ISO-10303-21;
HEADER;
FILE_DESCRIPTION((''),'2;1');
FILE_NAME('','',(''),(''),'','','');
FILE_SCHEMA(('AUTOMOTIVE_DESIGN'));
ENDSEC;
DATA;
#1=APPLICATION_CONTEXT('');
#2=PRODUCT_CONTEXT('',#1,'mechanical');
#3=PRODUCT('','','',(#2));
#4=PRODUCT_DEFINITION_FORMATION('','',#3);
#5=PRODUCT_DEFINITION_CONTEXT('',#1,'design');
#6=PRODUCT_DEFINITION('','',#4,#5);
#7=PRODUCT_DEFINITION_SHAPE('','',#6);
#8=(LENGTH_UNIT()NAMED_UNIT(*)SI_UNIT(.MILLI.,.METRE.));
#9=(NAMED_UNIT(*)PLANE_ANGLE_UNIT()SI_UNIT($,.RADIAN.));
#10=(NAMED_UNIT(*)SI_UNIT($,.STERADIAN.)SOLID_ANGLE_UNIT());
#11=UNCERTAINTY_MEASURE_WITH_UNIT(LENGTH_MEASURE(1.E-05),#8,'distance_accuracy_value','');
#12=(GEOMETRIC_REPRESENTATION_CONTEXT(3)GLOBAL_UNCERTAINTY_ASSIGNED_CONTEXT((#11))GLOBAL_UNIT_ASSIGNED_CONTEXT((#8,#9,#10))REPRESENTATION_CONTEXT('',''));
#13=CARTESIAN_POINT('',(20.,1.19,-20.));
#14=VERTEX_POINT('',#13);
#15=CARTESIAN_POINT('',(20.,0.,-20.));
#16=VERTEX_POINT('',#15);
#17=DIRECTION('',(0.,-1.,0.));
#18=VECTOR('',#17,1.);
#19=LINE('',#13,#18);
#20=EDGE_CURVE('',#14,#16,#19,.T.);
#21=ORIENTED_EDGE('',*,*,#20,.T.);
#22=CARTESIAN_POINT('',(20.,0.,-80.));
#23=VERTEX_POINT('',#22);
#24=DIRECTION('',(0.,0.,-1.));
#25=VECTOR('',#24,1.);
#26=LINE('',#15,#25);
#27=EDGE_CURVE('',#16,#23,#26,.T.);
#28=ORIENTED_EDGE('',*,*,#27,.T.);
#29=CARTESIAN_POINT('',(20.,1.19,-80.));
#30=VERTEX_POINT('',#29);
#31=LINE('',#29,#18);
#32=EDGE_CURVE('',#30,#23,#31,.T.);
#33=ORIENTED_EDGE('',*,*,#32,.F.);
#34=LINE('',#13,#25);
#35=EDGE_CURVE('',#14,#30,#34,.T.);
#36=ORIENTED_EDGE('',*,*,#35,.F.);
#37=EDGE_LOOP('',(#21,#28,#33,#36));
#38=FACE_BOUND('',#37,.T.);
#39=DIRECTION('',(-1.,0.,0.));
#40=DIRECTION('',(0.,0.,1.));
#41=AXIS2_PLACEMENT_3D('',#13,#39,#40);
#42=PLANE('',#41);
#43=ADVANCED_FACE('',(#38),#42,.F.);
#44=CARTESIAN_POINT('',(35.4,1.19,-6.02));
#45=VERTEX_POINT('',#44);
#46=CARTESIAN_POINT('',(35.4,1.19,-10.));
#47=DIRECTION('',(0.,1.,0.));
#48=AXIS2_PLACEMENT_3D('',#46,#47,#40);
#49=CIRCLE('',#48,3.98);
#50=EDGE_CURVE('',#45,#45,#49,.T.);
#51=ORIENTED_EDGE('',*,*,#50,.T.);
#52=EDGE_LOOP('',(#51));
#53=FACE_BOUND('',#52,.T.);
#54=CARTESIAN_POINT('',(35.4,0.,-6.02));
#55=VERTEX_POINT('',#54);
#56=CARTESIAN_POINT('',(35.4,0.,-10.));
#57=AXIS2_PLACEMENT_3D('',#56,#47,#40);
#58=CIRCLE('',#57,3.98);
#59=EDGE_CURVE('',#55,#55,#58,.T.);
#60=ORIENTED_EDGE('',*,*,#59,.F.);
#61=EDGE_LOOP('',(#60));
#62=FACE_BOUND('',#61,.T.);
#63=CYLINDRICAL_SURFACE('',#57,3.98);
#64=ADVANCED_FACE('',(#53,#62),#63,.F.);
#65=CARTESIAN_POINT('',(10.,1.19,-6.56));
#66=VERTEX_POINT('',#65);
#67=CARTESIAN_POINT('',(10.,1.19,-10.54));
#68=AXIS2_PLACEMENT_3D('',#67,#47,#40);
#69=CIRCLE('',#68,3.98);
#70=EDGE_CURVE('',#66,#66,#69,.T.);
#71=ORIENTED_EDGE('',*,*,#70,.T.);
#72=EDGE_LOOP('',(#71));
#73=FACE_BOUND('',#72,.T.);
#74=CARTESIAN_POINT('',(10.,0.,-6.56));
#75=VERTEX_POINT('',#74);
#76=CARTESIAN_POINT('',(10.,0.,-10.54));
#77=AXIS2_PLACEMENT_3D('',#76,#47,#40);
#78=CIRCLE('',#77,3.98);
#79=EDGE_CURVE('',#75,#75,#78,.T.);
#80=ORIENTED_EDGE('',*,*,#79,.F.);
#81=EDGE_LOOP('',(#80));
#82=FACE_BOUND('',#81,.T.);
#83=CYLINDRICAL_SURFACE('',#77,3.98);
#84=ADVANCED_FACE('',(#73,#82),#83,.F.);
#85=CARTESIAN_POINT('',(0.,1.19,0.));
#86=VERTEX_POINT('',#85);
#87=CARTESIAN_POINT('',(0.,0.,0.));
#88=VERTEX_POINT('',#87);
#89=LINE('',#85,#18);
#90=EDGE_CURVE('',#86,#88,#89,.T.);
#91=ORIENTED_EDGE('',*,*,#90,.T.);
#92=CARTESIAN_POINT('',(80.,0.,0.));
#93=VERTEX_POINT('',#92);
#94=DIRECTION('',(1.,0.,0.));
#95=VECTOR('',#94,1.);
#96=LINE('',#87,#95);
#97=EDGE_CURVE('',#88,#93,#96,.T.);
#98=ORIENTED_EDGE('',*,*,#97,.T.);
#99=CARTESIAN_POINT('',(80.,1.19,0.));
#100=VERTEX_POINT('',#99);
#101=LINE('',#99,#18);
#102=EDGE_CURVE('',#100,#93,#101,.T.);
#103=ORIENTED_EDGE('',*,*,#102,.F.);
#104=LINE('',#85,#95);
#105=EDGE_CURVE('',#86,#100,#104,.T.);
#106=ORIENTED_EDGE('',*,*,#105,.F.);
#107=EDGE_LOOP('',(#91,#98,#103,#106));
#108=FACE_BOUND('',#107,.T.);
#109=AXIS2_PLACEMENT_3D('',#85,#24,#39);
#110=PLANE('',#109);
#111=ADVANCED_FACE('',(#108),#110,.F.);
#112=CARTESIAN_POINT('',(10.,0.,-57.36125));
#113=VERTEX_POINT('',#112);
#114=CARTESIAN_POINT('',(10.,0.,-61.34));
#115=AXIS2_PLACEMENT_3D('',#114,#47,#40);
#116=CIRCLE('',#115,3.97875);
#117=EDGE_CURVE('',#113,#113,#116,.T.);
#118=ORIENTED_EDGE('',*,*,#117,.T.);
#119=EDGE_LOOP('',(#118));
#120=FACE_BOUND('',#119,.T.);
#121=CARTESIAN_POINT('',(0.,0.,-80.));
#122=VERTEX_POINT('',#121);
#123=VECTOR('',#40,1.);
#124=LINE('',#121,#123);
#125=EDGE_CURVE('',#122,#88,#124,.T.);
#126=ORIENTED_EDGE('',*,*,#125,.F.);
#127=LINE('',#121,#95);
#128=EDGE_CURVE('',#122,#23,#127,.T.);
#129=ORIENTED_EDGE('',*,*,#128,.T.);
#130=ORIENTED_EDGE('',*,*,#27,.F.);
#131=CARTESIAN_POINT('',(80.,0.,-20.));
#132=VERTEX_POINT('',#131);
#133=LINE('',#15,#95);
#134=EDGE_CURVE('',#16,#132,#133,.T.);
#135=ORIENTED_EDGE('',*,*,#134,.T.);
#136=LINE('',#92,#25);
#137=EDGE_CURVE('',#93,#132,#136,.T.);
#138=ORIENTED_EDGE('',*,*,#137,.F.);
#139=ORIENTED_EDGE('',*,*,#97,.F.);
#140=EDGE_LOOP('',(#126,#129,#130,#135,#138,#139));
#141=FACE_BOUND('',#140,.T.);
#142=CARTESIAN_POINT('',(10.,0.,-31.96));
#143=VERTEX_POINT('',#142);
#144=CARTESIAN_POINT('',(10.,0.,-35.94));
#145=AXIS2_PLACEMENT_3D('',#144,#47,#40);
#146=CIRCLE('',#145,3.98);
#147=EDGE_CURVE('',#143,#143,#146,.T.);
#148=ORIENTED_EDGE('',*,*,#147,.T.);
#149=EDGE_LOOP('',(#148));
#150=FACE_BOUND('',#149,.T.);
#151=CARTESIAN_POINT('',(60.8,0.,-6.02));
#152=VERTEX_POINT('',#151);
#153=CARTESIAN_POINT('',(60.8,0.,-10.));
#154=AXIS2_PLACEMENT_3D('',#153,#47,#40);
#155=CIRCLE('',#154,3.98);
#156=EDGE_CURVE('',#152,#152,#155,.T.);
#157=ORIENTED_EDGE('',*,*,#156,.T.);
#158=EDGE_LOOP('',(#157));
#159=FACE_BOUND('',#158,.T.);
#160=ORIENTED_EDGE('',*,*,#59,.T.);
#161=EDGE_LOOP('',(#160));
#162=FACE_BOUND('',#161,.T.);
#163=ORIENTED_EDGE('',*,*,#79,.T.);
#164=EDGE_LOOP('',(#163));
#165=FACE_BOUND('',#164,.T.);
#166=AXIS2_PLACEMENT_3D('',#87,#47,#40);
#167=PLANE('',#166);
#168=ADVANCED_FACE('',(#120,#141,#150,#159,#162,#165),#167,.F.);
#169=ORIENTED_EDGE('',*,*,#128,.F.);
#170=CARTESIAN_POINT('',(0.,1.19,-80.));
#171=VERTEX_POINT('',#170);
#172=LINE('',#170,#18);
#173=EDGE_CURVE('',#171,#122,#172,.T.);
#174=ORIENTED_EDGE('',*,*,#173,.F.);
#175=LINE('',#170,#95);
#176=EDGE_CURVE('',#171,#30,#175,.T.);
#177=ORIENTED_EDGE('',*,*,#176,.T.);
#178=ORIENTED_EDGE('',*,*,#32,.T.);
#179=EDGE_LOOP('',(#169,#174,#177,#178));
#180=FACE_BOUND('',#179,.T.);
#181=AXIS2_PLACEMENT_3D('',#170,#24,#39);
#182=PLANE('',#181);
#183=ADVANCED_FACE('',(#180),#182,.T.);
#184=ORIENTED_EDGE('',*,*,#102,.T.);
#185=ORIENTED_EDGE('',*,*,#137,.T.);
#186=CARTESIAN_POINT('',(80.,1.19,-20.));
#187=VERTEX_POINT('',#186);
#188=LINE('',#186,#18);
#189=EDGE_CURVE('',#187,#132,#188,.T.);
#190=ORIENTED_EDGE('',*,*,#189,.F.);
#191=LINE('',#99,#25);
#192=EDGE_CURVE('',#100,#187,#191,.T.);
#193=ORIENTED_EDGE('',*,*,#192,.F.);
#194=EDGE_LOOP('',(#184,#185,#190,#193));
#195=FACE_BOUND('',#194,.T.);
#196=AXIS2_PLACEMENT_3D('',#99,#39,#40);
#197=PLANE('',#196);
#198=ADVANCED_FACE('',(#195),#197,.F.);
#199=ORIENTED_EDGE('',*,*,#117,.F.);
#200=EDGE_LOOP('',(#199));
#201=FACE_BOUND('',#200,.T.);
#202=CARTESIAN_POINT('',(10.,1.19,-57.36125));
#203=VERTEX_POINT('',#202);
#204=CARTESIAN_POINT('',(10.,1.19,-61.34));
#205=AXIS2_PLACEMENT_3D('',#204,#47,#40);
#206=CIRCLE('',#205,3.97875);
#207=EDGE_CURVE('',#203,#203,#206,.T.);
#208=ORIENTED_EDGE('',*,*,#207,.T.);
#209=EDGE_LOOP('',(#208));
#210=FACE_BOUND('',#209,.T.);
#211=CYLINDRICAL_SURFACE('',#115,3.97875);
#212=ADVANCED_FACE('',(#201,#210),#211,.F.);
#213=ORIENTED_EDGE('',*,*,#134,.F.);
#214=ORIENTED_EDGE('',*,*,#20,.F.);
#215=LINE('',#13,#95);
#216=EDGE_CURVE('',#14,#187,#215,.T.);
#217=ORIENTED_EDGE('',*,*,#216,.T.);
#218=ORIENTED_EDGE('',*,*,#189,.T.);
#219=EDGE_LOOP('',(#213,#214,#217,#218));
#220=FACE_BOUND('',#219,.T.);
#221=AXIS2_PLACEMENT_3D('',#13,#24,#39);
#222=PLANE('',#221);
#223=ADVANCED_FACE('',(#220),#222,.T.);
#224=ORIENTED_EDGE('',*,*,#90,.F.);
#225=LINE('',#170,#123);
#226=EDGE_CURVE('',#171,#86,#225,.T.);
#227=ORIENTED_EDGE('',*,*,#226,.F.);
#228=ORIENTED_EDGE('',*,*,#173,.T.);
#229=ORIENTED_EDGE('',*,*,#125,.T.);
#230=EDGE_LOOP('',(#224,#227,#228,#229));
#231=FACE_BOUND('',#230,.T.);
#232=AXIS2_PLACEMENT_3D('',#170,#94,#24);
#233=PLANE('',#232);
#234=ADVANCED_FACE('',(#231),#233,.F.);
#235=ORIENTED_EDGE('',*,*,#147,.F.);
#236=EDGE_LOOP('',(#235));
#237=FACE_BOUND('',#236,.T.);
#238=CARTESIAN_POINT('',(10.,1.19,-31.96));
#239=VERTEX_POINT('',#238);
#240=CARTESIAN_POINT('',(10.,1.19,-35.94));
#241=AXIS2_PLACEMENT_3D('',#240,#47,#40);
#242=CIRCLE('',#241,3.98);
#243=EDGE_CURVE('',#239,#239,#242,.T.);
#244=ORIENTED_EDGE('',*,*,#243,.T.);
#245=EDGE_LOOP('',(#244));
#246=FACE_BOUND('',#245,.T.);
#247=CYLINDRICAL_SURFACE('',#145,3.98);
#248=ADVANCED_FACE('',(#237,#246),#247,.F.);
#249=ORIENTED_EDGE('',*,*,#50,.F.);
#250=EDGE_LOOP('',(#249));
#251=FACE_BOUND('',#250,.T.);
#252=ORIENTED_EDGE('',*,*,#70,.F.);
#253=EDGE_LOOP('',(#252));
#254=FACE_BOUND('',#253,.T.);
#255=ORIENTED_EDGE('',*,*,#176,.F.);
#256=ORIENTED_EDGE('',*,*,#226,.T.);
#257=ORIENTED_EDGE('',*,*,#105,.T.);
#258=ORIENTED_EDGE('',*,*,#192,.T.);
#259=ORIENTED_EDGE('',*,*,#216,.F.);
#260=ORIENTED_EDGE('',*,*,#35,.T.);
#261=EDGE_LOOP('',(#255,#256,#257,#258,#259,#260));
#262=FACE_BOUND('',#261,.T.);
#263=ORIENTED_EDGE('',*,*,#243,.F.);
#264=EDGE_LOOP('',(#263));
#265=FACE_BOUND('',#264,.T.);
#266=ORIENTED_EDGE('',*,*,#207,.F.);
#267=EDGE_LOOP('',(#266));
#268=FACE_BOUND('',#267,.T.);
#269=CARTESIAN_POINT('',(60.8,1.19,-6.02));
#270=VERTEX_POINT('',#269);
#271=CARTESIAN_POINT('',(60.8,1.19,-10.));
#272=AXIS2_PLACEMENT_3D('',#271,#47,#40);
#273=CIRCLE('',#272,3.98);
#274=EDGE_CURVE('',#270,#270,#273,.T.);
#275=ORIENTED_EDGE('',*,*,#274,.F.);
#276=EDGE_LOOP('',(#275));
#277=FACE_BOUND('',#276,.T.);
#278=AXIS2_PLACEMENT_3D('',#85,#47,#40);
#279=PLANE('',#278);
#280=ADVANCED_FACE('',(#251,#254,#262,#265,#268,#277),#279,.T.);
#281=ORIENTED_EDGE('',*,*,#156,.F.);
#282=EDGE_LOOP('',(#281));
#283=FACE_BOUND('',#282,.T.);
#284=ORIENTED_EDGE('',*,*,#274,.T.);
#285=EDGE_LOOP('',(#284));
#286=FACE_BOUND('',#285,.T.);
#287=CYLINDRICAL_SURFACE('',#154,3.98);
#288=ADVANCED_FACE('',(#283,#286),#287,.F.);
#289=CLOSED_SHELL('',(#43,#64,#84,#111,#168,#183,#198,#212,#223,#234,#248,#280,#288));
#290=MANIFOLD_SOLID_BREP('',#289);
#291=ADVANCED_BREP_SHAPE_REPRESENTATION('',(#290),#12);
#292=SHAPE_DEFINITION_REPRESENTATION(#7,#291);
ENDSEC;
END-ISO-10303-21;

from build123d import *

# Parameters (mm, degrees)
BOSS_EXTRUDE1_DEPTH = 1.19
SKETCH2_R           = 3.97875
SKETCH2_R_2         = 3.98
CUT_EXTRUDE1_DEPTH  = 1.19


with BuildPart() as part:
    # Sketch1 → Boss-Extrude1 (new body)
    with BuildSketch(Plane(origin=(0, 0, 0), x_dir=(1, 0, 0), z_dir=(0, 1, 0))):
        Polygon((0, 0), (80, 0), (80, 20), (20, 20), (20, 80), (0, 80), align=None)
    extrude(amount=BOSS_EXTRUDE1_DEPTH)

    # Sketch2 → Cut-Extrude1 (cut)
    with BuildSketch(Plane(origin=(0, 1.19, 0), x_dir=(1, 0, 0), z_dir=(0, 1, 0))):
        with Locations((10, 61.34)):
            Circle(SKETCH2_R)
        with Locations((10, 35.94)):
            Circle(SKETCH2_R_2)
        with Locations((10, 10.54)):
            Circle(SKETCH2_R_2)
        with Locations((35.4, 10)):
            Circle(SKETCH2_R_2)
        with Locations((60.8, 10)):
            Circle(SKETCH2_R_2)
    extrude(amount=-CUT_EXTRUDE1_DEPTH, mode=Mode.SUBTRACT)


solid = part.part
